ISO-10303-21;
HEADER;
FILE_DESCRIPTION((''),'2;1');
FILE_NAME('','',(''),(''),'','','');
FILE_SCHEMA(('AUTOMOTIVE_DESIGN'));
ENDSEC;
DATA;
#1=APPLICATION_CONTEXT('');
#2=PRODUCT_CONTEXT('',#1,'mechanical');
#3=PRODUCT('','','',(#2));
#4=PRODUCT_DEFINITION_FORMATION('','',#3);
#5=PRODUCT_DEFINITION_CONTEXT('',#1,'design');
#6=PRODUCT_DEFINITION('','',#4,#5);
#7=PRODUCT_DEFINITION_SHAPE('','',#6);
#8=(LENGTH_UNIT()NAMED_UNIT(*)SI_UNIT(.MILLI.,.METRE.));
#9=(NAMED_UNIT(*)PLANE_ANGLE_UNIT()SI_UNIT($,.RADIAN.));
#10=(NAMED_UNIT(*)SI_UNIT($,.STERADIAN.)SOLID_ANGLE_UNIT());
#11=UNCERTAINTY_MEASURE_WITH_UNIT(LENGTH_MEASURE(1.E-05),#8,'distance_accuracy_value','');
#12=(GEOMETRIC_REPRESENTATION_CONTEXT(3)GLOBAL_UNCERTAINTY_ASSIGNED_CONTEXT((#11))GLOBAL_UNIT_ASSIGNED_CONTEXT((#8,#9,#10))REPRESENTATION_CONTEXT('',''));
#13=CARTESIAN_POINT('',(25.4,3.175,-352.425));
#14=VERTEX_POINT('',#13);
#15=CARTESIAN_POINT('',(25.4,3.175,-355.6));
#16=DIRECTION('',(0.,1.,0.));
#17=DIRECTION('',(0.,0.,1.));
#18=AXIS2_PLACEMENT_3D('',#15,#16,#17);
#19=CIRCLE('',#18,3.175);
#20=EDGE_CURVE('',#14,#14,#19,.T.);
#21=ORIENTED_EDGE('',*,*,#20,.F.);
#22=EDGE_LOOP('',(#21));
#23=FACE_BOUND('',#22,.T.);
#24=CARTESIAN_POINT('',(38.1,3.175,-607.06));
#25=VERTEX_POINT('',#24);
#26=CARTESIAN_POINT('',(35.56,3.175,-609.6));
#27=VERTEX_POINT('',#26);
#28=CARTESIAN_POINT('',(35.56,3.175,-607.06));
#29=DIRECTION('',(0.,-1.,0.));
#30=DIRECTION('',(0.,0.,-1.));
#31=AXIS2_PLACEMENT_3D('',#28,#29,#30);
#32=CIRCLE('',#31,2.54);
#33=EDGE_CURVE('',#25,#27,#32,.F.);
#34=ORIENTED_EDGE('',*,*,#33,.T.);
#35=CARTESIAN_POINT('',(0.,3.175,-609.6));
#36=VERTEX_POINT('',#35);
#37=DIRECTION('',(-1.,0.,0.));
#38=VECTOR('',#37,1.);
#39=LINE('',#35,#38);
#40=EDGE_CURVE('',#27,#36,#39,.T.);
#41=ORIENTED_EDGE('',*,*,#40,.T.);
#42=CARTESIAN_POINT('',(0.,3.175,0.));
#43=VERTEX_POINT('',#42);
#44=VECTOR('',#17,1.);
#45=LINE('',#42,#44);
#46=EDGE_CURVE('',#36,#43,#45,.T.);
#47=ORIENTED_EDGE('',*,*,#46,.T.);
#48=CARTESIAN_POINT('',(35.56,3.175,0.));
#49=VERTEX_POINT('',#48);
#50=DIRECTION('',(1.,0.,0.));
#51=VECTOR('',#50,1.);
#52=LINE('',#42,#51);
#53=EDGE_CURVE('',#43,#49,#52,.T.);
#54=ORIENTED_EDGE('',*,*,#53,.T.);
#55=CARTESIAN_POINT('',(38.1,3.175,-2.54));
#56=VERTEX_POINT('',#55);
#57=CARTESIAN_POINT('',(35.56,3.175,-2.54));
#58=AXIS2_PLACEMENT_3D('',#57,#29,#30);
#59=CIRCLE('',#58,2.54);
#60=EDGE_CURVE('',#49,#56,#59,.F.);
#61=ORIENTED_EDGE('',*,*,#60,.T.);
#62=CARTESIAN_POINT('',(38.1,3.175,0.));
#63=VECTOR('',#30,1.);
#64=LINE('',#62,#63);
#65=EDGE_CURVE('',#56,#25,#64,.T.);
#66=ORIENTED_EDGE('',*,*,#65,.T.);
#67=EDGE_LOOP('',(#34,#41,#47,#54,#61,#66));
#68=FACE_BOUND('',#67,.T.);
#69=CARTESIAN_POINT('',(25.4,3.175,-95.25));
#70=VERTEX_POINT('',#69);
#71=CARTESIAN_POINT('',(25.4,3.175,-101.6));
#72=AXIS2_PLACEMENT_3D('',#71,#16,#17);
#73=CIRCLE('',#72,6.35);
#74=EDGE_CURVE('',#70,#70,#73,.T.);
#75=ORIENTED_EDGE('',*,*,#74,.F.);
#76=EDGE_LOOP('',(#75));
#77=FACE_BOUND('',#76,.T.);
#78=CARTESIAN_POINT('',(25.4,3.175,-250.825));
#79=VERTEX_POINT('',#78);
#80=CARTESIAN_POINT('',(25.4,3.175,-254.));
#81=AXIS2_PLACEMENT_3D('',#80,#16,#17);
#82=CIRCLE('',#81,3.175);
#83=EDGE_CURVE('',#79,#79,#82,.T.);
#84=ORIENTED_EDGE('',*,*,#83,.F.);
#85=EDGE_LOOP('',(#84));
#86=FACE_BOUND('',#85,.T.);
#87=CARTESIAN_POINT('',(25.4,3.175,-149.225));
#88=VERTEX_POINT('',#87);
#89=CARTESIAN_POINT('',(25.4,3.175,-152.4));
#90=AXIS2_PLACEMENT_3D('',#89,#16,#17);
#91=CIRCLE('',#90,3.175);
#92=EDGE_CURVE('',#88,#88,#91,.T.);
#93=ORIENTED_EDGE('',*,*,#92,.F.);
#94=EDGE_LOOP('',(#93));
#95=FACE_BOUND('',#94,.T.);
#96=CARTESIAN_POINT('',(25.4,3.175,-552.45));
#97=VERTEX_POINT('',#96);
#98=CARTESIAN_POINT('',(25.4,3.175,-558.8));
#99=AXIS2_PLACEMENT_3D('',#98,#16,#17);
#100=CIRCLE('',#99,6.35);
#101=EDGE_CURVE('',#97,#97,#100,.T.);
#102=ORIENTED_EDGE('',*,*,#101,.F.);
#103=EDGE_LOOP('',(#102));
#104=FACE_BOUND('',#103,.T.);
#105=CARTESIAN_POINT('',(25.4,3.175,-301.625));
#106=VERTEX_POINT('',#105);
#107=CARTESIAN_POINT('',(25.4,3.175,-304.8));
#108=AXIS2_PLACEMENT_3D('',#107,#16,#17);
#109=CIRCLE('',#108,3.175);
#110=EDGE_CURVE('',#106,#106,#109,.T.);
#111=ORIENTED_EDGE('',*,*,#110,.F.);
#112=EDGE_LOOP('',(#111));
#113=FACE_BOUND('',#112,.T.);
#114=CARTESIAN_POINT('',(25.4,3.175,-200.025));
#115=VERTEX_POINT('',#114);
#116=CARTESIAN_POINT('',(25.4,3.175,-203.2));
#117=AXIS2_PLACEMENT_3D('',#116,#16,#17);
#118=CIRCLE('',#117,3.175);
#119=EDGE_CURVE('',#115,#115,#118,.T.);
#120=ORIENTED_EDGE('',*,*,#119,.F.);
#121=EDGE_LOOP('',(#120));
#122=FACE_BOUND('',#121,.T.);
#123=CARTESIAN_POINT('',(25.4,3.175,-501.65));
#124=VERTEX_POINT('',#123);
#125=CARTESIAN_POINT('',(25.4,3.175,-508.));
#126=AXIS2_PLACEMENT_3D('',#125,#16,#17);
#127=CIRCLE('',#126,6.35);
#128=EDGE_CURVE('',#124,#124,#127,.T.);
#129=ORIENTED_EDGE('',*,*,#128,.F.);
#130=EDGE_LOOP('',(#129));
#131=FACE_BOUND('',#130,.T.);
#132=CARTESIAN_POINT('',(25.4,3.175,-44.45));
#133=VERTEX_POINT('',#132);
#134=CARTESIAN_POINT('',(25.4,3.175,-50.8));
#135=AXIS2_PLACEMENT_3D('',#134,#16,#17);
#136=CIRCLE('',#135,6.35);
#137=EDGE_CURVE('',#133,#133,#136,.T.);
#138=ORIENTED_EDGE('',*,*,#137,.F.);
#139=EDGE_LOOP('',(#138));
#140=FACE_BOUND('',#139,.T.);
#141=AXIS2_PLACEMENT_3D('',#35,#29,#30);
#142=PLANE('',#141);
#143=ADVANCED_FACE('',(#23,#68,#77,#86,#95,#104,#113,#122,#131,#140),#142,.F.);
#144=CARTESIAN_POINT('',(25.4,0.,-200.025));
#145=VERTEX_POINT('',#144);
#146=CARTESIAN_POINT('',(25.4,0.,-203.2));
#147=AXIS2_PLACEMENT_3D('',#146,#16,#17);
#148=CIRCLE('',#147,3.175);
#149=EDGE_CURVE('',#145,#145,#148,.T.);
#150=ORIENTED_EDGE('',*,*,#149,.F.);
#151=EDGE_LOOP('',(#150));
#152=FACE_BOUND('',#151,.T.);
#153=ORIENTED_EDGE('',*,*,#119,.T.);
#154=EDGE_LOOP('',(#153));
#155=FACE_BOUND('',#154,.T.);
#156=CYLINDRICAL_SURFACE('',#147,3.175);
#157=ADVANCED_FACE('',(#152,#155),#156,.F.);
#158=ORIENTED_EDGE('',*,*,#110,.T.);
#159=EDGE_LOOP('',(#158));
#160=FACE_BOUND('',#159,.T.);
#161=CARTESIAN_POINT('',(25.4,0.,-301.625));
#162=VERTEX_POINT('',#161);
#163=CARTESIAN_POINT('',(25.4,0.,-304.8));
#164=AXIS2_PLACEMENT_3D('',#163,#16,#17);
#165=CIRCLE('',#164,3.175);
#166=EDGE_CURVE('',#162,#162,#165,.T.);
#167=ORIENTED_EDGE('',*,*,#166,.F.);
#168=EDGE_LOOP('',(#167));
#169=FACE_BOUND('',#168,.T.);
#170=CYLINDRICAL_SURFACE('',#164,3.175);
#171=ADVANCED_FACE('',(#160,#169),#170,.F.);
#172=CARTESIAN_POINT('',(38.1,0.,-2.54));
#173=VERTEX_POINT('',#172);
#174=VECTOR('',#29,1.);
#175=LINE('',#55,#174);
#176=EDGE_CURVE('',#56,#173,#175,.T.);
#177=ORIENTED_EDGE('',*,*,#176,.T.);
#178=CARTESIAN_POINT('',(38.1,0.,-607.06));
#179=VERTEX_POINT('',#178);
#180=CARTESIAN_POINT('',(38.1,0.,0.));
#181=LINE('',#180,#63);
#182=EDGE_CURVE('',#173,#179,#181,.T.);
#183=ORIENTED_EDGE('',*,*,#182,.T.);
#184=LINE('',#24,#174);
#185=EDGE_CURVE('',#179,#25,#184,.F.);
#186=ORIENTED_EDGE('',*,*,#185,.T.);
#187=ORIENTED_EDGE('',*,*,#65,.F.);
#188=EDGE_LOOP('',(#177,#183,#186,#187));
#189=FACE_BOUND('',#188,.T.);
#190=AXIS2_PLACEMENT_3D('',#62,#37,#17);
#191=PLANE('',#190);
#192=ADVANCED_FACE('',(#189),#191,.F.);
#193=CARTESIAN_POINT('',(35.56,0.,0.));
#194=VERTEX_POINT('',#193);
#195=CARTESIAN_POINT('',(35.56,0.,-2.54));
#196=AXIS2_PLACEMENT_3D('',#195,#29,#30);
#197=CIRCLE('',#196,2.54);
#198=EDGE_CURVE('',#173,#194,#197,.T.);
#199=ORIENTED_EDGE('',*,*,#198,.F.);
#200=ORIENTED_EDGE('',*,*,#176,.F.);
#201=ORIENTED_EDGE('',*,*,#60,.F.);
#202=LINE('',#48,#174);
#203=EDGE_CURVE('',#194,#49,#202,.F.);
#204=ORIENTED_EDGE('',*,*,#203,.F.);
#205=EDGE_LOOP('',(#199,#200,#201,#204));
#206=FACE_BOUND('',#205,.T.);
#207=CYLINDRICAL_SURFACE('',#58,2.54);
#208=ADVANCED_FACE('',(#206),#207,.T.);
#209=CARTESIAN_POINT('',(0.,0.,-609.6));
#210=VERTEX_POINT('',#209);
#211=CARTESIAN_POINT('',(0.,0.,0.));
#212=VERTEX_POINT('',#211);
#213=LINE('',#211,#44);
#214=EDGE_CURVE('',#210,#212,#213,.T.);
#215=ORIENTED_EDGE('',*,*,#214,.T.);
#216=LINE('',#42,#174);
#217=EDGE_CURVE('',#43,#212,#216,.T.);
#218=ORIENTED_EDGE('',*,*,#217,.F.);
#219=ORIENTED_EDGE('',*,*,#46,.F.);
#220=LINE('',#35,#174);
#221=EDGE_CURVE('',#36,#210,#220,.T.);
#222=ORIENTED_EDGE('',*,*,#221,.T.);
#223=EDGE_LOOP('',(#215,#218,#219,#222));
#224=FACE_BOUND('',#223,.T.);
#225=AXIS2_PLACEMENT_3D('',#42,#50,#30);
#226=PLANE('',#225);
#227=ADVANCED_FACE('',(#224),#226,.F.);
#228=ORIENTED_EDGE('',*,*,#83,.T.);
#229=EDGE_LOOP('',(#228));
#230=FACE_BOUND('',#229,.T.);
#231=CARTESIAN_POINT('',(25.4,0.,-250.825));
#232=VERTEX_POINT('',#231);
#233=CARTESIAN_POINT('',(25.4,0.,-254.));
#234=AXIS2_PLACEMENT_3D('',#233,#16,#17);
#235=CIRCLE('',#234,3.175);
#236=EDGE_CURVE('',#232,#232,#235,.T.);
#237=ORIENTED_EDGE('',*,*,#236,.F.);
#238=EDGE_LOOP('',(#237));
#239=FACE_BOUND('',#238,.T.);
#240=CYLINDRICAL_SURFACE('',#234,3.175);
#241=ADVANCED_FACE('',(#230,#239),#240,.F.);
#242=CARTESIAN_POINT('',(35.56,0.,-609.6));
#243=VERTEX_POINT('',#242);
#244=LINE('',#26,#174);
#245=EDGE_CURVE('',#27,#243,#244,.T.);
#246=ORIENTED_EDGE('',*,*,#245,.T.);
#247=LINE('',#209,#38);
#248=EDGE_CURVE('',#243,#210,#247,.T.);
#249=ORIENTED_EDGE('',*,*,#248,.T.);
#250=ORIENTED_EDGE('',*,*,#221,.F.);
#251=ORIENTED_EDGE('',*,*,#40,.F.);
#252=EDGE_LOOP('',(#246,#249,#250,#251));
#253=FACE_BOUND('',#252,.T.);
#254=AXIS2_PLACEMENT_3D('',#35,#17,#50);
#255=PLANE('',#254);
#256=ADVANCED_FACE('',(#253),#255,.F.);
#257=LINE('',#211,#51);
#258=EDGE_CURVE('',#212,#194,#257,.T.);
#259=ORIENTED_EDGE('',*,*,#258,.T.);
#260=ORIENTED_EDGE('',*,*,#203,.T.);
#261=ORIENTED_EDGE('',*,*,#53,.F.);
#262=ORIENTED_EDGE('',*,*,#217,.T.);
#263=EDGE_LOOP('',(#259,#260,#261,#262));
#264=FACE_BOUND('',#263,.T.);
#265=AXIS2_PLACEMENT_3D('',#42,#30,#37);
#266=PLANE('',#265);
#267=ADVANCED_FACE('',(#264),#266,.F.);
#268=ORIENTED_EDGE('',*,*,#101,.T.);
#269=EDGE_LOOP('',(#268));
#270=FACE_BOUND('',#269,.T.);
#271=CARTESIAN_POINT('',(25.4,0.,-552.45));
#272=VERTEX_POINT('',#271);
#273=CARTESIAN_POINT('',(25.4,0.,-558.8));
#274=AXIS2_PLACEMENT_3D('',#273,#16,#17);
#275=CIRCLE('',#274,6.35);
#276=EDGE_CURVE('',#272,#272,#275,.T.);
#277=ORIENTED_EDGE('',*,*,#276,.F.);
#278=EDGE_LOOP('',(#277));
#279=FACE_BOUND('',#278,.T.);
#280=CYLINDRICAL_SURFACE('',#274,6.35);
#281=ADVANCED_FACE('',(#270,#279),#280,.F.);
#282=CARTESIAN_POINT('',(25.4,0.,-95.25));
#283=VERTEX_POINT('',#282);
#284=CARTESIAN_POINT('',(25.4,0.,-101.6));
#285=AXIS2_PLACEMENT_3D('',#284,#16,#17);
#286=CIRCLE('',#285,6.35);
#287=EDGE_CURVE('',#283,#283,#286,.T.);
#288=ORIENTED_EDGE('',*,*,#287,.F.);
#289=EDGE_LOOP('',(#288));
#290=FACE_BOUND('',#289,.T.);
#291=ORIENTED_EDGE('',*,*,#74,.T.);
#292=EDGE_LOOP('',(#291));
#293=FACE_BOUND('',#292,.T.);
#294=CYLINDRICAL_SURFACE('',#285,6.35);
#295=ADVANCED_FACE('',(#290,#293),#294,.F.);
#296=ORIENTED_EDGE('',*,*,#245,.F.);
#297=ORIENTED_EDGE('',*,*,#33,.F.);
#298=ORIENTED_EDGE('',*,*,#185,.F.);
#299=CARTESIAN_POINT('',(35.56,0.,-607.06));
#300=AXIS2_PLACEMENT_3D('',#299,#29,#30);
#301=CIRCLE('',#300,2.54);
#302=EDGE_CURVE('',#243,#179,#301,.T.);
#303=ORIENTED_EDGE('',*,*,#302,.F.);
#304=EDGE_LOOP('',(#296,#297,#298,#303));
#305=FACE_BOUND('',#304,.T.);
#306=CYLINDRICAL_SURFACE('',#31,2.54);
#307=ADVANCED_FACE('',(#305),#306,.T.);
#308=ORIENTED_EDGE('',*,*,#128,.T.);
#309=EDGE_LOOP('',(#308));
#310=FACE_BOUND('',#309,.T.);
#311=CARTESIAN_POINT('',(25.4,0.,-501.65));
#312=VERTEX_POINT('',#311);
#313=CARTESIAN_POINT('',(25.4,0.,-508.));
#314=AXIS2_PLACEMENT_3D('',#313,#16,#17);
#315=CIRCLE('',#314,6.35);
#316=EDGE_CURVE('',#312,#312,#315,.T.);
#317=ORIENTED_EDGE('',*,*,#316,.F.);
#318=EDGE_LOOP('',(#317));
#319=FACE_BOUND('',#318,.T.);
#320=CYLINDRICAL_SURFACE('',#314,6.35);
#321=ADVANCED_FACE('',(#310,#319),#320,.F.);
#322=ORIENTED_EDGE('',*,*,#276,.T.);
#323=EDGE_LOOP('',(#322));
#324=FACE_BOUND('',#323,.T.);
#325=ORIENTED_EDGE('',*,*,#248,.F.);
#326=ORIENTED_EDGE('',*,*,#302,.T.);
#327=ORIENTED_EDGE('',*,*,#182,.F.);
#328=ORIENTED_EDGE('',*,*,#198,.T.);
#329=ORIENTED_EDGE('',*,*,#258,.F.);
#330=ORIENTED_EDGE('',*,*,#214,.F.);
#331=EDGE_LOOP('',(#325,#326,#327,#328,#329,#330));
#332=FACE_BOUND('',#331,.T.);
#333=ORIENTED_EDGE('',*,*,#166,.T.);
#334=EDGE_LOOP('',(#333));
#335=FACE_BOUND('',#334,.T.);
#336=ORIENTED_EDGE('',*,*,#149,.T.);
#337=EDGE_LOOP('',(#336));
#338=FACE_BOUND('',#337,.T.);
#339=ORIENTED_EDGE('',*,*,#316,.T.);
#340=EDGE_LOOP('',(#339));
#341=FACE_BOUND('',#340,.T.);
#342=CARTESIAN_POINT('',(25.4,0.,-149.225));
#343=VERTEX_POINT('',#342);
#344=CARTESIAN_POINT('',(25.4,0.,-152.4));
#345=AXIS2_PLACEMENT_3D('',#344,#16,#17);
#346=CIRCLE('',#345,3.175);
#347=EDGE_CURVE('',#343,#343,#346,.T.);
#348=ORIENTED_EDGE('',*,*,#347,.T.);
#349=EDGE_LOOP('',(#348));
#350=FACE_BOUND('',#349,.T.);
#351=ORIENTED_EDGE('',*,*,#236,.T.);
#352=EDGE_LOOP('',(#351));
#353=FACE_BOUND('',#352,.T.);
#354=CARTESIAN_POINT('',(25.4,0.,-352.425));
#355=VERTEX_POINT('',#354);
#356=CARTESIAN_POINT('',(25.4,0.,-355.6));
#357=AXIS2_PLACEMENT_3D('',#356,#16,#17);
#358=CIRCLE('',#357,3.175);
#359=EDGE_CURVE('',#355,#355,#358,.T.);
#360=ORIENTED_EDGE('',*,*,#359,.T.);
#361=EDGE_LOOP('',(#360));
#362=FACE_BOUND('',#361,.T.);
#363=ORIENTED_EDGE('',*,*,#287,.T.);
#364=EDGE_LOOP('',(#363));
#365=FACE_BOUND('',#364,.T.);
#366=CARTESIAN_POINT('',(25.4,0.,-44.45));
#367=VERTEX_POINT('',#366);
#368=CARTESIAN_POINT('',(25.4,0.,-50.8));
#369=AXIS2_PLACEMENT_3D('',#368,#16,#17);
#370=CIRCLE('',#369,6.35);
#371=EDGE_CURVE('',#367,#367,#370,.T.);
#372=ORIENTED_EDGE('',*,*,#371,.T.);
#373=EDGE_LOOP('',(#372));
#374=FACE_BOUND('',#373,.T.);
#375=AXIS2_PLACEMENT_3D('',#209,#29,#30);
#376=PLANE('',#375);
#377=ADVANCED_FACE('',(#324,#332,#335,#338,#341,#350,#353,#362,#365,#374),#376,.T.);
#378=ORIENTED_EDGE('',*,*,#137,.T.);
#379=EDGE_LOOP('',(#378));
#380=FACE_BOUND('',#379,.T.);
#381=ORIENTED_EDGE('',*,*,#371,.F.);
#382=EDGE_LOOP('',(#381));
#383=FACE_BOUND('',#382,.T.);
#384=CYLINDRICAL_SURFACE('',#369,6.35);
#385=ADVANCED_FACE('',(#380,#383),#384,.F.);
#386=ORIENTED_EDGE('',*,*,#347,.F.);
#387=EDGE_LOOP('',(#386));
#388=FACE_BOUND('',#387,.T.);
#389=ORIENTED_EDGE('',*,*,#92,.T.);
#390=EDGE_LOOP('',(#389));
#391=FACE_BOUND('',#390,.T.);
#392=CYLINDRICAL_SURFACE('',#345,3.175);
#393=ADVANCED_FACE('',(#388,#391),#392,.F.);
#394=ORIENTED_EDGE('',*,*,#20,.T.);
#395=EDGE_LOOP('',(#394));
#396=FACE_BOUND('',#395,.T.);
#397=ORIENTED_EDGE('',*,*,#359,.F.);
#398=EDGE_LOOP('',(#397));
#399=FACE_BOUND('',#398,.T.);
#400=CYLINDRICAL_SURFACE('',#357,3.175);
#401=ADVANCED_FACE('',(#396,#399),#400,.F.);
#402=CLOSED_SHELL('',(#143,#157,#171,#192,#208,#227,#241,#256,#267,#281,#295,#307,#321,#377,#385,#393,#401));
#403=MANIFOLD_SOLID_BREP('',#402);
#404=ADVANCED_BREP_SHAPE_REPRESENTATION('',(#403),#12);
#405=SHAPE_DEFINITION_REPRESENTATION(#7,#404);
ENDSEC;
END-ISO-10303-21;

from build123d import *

# Parameters (mm, degrees)
SKETCH1_W           = 38.1
SKETCH1_H           = 609.6
BOSS_EXTRUDE1_DEPTH = 3.175
FILLET1_R           = 2.54
SKETCH4_R           = 3.175
SKETCH4_R_2         = 6.35
CUT_EXTRUDE1_DEPTH  = 4.175


with BuildPart() as part:
    # Sketch1 → Boss-Extrude1 (new body)
    with BuildSketch(Plane(origin=(0, 0, 0), x_dir=(1, 0, 0), z_dir=(0, 1, 0))):
        with Locations((19.05, 304.8)):
            Rectangle(SKETCH1_W, SKETCH1_H)
    extrude(amount=BOSS_EXTRUDE1_DEPTH)

    # Fillet1
    fillet1_edges = [part.edges().sort_by_distance(p)[0] for p in [
        (38.1, 1.5875, -609.6),
        (38.1, 1.5875, 0),
    ]]
    fillet(fillet1_edges, radius=FILLET1_R)

    # Sketch4 → Cut-Extrude1 (cut, through all)
    with BuildSketch(Plane(origin=(0, 3.175, 0), x_dir=(-1, 0, 0), z_dir=(0, 1, 0))):
        with Locations((-25.4, -152.4)):
            Circle(SKETCH4_R)
        with Locations((-25.4, -203.2)):
            Circle(SKETCH4_R)
        with Locations((-25.4, -254)):
            Circle(SKETCH4_R)
        with Locations((-25.4, -304.8)):
            Circle(SKETCH4_R)
        with Locations((-25.4, -355.6)):
            Circle(SKETCH4_R)
        with Locations((-25.4, -50.8)):
            Circle(SKETCH4_R_2)
        with Locations((-25.4, -101.6)):
            Circle(SKETCH4_R_2)
        with Locations((-25.4, -558.8)):
            Circle(SKETCH4_R_2)
        with Locations((-25.4, -508)):
            Circle(SKETCH4_R_2)
    extrude(amount=-CUT_EXTRUDE1_DEPTH, mode=Mode.SUBTRACT)


solid = part.part
